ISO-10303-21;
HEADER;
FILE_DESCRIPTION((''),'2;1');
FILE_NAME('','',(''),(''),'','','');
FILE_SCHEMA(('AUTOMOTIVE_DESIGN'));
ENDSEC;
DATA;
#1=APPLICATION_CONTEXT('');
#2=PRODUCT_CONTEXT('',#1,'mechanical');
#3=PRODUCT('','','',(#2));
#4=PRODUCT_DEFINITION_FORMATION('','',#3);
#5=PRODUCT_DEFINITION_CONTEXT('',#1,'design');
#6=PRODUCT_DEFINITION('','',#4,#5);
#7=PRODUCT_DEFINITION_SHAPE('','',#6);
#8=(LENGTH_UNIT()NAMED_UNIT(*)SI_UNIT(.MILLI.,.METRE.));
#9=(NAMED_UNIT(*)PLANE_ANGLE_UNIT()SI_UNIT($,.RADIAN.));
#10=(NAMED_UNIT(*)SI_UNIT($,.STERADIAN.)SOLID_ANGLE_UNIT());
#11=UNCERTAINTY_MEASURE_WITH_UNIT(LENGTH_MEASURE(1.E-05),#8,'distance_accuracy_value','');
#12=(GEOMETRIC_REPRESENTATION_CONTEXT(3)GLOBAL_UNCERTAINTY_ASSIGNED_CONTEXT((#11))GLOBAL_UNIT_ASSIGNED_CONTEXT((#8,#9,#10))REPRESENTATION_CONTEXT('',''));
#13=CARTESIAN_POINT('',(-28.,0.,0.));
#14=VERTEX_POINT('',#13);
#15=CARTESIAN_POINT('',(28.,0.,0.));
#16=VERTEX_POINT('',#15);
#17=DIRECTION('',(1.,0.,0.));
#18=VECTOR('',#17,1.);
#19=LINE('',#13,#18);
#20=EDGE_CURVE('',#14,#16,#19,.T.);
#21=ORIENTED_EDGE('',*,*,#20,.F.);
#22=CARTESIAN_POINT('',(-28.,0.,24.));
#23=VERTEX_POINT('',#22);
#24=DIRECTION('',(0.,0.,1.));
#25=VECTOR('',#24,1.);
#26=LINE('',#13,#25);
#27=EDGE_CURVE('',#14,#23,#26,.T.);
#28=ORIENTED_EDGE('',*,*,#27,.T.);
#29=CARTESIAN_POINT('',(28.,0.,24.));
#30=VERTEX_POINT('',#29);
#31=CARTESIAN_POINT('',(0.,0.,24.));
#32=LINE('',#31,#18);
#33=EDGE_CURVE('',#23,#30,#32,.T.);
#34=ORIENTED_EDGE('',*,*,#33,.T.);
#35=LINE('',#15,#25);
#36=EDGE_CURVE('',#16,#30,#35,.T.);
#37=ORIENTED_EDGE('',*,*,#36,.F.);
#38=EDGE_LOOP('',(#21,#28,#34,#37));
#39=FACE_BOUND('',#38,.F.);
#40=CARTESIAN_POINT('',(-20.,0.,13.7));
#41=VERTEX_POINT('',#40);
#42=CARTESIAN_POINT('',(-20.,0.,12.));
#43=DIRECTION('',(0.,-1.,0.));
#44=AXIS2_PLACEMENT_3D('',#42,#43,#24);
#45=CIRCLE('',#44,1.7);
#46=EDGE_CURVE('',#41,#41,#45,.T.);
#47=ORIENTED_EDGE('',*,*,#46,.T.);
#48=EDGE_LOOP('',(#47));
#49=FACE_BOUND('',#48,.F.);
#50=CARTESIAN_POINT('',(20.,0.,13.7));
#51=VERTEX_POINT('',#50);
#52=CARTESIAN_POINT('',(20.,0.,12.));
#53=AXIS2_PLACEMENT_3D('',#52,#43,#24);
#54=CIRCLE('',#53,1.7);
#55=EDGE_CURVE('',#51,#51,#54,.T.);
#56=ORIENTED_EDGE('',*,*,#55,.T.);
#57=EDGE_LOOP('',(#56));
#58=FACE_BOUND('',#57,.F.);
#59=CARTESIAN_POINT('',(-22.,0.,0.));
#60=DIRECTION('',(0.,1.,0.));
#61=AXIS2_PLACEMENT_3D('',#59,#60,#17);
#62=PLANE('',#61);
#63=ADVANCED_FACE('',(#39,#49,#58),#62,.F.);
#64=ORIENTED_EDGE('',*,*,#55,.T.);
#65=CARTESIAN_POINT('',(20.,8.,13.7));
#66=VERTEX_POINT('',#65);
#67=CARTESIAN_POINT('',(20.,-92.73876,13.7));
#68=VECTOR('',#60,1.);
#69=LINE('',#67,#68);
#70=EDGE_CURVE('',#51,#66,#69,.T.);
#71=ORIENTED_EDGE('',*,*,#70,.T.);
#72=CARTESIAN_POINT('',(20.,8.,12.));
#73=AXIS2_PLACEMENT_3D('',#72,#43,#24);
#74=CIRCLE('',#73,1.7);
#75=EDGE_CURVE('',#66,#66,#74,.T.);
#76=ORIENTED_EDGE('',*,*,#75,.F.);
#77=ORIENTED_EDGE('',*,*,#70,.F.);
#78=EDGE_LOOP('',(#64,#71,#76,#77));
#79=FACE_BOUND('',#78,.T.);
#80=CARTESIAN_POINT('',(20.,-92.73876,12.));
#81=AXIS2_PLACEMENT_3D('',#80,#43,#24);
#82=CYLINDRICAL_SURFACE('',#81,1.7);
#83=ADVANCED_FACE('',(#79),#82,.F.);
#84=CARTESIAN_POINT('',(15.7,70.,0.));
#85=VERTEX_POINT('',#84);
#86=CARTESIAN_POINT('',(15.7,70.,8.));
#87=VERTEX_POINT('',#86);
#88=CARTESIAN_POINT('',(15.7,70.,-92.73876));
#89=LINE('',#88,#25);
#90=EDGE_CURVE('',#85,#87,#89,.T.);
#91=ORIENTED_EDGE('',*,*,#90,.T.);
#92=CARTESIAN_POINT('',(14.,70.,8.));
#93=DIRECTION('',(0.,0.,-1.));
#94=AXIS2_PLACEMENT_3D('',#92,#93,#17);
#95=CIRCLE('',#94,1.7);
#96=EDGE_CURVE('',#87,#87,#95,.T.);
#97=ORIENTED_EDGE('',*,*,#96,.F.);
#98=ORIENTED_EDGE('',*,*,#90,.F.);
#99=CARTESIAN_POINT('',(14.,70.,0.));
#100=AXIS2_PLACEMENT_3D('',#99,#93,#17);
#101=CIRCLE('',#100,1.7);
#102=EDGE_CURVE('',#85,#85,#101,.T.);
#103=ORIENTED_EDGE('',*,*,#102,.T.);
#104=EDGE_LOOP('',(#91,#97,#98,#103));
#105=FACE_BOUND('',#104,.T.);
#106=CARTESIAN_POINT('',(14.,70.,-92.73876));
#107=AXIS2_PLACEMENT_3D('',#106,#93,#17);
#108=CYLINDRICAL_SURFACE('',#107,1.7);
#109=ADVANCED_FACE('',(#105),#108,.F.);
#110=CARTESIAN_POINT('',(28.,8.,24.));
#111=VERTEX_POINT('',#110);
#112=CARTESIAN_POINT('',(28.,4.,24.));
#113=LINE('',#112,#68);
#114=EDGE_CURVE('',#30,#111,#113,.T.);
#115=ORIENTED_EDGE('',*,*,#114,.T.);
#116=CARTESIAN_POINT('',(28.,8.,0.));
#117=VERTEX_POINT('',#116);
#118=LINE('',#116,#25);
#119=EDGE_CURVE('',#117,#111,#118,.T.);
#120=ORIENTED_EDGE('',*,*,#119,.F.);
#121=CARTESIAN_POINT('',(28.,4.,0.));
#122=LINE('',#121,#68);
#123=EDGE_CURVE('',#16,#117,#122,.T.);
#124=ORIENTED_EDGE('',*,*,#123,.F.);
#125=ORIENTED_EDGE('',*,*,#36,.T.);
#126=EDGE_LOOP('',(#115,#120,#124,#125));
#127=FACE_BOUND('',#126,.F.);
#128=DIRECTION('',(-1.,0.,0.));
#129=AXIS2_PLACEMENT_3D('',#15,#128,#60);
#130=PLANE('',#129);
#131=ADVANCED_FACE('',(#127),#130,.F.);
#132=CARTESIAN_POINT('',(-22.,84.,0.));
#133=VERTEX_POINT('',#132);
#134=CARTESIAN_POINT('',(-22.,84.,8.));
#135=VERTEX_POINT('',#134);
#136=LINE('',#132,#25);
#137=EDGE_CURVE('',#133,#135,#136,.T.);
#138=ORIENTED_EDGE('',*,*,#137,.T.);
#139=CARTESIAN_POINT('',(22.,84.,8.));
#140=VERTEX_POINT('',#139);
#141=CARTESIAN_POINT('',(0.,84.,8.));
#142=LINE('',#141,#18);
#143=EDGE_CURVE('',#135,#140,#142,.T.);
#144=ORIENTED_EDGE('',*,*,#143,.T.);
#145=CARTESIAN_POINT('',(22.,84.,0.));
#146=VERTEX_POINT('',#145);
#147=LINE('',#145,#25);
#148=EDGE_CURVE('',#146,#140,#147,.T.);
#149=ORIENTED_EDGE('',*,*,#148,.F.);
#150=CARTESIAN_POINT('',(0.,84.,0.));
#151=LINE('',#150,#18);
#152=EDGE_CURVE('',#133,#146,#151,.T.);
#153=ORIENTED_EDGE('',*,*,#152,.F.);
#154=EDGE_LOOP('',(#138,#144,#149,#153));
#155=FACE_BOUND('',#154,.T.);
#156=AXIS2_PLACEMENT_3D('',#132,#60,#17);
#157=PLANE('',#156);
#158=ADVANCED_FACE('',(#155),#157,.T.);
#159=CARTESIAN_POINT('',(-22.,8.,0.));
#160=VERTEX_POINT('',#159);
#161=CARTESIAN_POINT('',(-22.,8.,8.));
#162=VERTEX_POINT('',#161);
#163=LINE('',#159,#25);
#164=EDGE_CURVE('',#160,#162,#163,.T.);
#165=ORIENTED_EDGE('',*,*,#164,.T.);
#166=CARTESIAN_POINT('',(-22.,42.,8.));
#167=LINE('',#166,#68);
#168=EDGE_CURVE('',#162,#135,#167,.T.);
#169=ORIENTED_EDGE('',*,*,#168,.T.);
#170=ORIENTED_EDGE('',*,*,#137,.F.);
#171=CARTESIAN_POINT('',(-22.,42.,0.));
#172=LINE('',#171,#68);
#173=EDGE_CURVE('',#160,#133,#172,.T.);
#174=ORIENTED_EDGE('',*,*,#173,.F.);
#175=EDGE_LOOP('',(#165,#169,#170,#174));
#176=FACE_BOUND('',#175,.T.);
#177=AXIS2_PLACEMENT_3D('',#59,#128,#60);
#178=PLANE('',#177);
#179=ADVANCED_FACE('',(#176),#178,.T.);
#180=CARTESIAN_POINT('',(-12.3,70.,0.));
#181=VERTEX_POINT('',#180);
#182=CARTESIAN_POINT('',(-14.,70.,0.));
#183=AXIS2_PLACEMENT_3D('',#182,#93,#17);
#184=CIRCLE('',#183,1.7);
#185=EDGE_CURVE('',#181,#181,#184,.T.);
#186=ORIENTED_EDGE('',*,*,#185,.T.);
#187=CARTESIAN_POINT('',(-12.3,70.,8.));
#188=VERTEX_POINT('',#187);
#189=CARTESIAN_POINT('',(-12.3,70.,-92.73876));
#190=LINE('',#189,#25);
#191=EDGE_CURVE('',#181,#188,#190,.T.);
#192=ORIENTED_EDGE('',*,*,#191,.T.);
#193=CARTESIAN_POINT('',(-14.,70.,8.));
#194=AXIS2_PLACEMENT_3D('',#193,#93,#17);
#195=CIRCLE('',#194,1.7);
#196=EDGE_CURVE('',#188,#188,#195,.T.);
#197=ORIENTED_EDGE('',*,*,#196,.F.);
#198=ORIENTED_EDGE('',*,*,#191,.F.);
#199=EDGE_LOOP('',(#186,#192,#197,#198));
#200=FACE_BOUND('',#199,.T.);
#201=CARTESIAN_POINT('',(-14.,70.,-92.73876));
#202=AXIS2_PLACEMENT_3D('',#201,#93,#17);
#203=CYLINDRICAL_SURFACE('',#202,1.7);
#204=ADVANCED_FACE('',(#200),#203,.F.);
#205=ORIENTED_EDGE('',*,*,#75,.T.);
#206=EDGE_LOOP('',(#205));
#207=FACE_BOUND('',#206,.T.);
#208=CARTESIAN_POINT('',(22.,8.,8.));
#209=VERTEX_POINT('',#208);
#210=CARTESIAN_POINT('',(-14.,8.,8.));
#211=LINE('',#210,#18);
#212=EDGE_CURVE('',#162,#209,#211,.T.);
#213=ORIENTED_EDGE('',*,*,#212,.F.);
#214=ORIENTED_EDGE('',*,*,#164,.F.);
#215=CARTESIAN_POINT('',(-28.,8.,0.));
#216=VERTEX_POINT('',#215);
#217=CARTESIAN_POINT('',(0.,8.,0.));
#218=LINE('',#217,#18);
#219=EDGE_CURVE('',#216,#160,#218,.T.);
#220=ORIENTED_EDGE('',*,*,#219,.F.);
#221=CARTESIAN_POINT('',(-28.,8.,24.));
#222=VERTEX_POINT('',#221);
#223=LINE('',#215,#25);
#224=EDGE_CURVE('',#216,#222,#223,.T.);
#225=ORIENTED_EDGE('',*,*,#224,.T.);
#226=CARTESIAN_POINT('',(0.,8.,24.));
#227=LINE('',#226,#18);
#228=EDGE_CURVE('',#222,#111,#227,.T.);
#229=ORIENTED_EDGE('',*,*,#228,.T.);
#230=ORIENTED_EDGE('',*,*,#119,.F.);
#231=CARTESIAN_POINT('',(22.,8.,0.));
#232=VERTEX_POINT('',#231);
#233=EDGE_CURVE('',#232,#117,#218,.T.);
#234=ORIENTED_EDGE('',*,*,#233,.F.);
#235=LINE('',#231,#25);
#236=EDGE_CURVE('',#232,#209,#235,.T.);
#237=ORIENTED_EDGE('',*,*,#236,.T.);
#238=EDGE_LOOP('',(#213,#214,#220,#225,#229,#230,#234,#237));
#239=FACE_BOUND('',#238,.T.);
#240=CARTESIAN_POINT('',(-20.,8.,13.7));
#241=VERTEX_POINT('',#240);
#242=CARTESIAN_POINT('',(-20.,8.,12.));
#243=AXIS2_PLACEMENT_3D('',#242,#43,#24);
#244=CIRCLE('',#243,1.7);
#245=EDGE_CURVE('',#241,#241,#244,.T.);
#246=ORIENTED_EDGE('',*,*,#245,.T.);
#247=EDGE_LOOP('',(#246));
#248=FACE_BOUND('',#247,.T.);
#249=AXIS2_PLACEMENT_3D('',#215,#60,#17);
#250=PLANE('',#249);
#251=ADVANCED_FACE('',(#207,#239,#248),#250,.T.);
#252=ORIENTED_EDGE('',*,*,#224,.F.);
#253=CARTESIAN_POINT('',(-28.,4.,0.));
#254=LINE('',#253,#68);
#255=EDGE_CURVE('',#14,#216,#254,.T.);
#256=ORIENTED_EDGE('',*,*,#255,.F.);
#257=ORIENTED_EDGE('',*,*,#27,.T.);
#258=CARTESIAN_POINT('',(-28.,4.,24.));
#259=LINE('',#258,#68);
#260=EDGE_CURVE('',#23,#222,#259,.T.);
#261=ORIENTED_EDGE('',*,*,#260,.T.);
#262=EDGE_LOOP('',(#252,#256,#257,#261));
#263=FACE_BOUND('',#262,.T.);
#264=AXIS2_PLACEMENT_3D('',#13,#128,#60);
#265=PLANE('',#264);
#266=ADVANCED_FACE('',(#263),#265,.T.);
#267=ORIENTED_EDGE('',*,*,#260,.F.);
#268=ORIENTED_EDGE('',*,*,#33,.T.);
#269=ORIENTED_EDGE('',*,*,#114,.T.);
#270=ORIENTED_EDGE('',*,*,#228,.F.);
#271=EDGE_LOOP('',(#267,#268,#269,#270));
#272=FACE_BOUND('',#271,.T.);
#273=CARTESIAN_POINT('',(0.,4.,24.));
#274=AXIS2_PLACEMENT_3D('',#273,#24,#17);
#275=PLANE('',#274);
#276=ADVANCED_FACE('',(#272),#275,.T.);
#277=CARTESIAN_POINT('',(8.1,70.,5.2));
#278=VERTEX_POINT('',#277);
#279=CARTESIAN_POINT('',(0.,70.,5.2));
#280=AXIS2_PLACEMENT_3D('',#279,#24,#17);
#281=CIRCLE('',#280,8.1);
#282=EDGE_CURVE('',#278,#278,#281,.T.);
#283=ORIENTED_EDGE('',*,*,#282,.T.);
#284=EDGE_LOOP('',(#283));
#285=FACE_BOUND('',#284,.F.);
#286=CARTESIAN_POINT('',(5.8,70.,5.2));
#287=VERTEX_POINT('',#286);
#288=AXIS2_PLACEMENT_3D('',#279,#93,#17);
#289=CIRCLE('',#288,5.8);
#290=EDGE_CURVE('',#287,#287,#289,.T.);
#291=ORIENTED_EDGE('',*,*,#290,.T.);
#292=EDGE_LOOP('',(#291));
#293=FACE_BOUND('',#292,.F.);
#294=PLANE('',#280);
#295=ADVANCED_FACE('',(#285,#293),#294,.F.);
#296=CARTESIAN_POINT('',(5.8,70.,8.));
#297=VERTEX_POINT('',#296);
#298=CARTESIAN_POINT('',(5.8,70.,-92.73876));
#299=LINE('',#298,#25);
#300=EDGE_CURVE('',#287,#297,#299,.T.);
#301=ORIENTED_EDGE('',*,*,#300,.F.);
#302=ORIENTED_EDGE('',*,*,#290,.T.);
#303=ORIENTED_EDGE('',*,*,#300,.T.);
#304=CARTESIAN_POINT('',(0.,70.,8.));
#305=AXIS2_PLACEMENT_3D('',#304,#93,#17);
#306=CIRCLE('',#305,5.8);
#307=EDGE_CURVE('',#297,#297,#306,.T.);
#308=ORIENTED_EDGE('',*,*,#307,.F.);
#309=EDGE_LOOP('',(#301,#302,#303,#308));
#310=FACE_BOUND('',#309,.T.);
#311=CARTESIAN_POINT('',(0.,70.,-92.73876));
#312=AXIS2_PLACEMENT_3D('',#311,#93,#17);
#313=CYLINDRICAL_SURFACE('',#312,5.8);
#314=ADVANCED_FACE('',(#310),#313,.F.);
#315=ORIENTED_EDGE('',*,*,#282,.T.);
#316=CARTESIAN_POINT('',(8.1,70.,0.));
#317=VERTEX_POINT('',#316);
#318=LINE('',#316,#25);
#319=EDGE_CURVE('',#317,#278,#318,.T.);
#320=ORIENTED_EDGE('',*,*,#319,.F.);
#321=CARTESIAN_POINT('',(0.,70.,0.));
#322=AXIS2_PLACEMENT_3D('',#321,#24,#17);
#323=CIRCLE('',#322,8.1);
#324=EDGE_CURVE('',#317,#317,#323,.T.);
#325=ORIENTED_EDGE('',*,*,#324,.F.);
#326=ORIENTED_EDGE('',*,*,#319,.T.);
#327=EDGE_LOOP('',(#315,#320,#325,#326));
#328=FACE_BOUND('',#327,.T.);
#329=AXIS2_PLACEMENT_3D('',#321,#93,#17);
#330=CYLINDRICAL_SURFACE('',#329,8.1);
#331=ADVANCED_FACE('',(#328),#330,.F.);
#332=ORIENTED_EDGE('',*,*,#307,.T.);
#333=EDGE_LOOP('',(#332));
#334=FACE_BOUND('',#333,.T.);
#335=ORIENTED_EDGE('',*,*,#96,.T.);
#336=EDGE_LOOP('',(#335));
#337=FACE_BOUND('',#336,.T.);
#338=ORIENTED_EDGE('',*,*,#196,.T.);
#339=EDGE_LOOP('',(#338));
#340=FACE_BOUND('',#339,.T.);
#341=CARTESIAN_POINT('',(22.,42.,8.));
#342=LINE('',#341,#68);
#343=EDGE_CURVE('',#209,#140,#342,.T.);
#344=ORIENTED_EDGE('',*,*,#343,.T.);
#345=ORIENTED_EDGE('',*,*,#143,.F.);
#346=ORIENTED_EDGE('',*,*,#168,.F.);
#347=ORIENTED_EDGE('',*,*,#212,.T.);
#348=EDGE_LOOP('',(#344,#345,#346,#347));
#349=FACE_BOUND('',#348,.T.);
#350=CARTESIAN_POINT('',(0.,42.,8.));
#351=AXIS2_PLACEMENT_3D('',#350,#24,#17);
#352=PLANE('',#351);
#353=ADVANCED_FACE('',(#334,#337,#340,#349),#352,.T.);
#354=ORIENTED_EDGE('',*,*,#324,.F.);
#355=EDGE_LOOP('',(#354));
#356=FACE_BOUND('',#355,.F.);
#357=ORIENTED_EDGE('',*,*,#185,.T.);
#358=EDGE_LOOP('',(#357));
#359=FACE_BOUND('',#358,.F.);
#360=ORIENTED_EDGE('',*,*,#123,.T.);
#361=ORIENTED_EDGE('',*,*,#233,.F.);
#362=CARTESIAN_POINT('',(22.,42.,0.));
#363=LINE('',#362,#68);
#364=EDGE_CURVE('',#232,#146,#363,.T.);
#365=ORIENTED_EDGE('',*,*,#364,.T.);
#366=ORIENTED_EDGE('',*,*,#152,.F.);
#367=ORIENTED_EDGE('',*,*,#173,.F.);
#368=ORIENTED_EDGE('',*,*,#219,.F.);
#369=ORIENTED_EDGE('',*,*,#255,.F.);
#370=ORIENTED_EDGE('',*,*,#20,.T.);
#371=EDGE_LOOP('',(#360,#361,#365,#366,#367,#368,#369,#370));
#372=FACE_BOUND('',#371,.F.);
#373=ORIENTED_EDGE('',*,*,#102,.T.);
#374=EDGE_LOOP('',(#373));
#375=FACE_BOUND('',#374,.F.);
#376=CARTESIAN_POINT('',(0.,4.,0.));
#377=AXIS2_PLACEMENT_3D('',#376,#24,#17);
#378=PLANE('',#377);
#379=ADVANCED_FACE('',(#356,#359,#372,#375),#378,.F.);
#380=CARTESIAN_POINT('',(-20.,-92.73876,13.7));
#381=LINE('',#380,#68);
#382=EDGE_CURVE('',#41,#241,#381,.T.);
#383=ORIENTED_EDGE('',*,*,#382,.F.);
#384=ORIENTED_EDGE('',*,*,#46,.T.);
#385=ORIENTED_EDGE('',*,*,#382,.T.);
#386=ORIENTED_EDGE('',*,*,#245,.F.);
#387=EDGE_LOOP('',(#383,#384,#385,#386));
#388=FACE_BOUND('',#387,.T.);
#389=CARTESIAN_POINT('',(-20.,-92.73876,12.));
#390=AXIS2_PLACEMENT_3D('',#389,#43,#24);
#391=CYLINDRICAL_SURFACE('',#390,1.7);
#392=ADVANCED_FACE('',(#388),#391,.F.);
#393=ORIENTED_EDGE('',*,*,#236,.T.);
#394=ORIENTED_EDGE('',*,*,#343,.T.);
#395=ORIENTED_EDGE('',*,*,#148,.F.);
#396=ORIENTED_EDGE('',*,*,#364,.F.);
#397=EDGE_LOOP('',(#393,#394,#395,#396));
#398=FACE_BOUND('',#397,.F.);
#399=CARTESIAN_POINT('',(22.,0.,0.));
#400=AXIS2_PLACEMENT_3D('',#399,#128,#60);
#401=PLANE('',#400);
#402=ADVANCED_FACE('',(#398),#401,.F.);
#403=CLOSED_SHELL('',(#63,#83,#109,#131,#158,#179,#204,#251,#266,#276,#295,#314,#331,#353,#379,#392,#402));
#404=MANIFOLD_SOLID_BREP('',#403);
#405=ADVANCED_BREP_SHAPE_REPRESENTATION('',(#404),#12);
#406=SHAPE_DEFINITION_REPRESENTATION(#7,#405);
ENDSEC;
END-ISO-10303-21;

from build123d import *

# Parameters (mm, degrees)
SKETCH_1_W                                   = 56
SKETCH_1_H                                   = 8
FOOT_56X24X8_DEPTH                           = 24
SKETCH_2_W                                   = 44
SKETCH_2_H                                   = 84
TOWER_PIVOT_HEIGHT70_DEPTH                   = 8
SHAFT_ACCESS_AND_RETAINER_M3_DEPTH           = 92.738759529
SHAFT_ACCESS_AND_RETAINER_M3_DEPTH_BACK      = 92.738759529
SKETCH_3_R                                   = 5.8
SKETCH_3_R_2                                 = 1.7
SKETCH_4_R                                   = 8.1
F_625ZZ_POCKET_D16P2_DEPTH5P2_TEST_FIT_DEPTH = 5.2
FOOT_M3_THROUGH_DEPTH                        = 92.738759529
FOOT_M3_THROUGH_DEPTH_BACK                   = 92.738759529
SKETCH_5_R                                   = 1.7


with BuildPart() as part:
    # 草图1 → Foot_56x24x8 (new body)
    with BuildSketch(Plane.XY):
        with Locations((0, 4)):
            Rectangle(SKETCH_1_W, SKETCH_1_H)
    extrude(amount=FOOT_56X24X8_DEPTH)

    # 草图2 → Tower_pivot_height70 (add)
    with BuildSketch(Plane.XY):
        with Locations((0, 42)):
            Rectangle(SKETCH_2_W, SKETCH_2_H)
    extrude(amount=TOWER_PIVOT_HEIGHT70_DEPTH)

    # 草图3 → Shaft_access_and_retainer_M3 (cut, two sides: drawn at the far end of the back side and taken through both)
    with BuildSketch(Plane.XY.offset(-SHAFT_ACCESS_AND_RETAINER_M3_DEPTH_BACK)):
        with Locations((0, 70)):
            Circle(SKETCH_3_R)
        with Locations((-14, 70)):
            Circle(SKETCH_3_R_2)
        with Locations((14, 70)):
            Circle(SKETCH_3_R_2)
    extrude(amount=SHAFT_ACCESS_AND_RETAINER_M3_DEPTH + SHAFT_ACCESS_AND_RETAINER_M3_DEPTH_BACK, mode=Mode.SUBTRACT)

    # 草图4 → 625ZZ_pocket_D16p2_depth5p2_TEST_FIT (cut)
    with BuildSketch(Plane.XY):
        with Locations((0, 70)):
            Circle(SKETCH_4_R)
    extrude(amount=F_625ZZ_POCKET_D16P2_DEPTH5P2_TEST_FIT_DEPTH, mode=Mode.SUBTRACT)

    # 草图5 → Foot_M3_through (cut, two sides: drawn at the far end of the back side and taken through both)
    with BuildSketch(Plane(origin=(0, 0, 0), x_dir=(1, 0, 0), z_dir=(0, 1, 0)).offset(-FOOT_M3_THROUGH_DEPTH_BACK)):
        with Locations(Location((-20, -12, 0), (0, 0, 270))):
            Circle(SKETCH_5_R)
        with Locations(Location((20, -12, 0), (0, 0, 270))):
            Circle(SKETCH_5_R)
    extrude(amount=FOOT_M3_THROUGH_DEPTH + FOOT_M3_THROUGH_DEPTH_BACK, mode=Mode.SUBTRACT)


solid = part.part
